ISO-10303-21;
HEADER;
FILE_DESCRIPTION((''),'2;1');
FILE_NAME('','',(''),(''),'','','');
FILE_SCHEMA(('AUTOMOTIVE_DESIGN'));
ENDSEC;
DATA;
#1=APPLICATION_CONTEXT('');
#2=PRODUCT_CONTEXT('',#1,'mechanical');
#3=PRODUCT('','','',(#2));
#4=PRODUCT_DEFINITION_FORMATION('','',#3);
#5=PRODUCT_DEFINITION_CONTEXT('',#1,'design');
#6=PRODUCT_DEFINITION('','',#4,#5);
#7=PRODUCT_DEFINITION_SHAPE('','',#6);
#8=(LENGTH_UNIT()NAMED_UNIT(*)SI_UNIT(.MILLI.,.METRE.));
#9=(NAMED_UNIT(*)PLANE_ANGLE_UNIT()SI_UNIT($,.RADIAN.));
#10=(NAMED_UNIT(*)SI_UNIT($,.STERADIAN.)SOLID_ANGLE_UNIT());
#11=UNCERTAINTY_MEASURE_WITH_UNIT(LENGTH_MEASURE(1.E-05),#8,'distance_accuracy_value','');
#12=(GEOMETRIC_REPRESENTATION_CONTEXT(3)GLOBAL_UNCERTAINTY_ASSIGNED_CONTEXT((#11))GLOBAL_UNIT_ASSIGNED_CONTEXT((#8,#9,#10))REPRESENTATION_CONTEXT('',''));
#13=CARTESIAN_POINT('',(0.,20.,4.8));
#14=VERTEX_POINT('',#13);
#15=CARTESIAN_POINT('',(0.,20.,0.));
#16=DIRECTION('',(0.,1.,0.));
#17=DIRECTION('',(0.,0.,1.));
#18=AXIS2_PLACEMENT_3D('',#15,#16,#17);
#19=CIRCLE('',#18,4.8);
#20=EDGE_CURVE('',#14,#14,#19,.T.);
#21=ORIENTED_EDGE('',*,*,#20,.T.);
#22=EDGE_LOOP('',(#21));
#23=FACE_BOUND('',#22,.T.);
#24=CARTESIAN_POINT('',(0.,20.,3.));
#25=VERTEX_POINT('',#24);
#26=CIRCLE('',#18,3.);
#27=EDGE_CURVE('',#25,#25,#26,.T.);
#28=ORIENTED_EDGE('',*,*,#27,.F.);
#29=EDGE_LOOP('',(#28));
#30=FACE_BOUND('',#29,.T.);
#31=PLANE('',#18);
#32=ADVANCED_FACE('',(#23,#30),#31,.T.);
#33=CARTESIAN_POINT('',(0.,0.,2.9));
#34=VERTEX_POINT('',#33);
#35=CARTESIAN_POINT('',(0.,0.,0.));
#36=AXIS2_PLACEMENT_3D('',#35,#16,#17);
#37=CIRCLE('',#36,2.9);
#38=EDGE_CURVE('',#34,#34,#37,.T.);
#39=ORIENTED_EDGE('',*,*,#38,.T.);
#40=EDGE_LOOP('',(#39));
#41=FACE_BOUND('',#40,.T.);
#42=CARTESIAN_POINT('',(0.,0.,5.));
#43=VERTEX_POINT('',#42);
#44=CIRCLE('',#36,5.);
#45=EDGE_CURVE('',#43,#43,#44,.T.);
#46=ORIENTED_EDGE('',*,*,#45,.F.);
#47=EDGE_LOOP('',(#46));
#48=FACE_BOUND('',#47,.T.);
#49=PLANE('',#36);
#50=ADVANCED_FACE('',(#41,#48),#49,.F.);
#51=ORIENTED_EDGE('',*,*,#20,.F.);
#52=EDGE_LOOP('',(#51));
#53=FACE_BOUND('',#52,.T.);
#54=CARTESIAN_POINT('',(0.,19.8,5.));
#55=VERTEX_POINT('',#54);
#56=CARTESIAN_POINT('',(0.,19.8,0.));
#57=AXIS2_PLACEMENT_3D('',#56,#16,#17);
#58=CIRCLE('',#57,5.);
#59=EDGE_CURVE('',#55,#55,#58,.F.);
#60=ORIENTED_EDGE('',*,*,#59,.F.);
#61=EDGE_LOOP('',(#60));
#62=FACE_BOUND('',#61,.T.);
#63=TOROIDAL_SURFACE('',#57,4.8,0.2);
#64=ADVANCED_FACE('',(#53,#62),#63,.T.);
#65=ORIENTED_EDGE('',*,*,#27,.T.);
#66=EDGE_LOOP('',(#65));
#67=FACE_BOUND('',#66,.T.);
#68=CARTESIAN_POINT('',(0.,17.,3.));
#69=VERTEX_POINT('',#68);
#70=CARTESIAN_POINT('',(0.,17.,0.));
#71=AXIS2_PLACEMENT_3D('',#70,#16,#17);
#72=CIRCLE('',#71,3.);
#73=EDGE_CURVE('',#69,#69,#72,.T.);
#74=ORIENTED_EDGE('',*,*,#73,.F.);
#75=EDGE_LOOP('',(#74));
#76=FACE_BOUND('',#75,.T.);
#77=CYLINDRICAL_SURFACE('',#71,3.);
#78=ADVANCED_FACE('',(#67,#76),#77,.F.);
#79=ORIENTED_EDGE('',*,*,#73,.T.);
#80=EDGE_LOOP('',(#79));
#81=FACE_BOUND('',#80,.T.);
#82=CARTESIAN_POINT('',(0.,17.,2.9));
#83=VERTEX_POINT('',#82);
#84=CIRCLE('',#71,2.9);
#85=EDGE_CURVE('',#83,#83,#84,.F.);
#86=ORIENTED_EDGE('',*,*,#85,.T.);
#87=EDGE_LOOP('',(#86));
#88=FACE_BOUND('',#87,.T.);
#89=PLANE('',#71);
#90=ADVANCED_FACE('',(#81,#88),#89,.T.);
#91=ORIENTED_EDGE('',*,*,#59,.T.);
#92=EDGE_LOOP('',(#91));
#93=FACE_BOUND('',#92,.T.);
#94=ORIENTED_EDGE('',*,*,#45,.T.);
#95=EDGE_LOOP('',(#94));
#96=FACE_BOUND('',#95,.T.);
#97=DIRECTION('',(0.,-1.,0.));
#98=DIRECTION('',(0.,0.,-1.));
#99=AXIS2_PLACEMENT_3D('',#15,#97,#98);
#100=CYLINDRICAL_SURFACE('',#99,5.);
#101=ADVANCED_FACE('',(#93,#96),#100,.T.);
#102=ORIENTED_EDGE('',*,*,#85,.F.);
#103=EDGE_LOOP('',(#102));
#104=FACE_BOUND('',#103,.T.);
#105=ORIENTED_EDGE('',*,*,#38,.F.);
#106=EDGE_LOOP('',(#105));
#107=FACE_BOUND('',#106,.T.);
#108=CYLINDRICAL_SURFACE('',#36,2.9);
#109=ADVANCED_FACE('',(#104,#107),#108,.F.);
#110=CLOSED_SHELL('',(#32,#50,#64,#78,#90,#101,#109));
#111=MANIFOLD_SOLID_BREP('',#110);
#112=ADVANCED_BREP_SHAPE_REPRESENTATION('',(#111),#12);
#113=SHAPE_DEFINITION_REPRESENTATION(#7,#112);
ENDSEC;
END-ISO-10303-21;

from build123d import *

# Parameters (mm, degrees)
SKIZZE1_R                       = 5
AUFSATZ_LINEAR_AUSTRAGEN1_DEPTH = 20
SKIZZE2_R                       = 2.9
SCHNITT_LINEAR_AUSTRAGEN1_DEPTH = 20
SKIZZE3_R                       = 3
SCHNITT_LINEAR_AUSTRAGEN2_DEPTH = 3
VERRUNDUNG1_R                   = 0.2


with BuildPart() as part:
    # Skizze1 → Aufsatz-Linear austragen1 (new body)
    with BuildSketch(Plane(origin=(0, 0, 0), x_dir=(1, 0, 0), z_dir=(0, 1, 0))):
        with Locations(Location((0, 0, 0), (0, 0, 270))):
            Circle(SKIZZE1_R)
    extrude(amount=AUFSATZ_LINEAR_AUSTRAGEN1_DEPTH)

    # Skizze2 → Schnitt-Linear austragen1 (cut)
    with BuildSketch(Plane(origin=(0, 20, 0), x_dir=(1, 0, 0), z_dir=(0, 1, 0))):
        with Locations(Location((0, 0, 0), (0, 0, 270))):
            Circle(SKIZZE2_R)
    extrude(amount=-SCHNITT_LINEAR_AUSTRAGEN1_DEPTH, mode=Mode.SUBTRACT)

    # Skizze3 → Schnitt-Linear austragen2 (cut)
    with BuildSketch(Plane(origin=(0, 20, 0), x_dir=(1, 0, 0), z_dir=(0, 1, 0))):
        with Locations(Location((0, 0, 0), (0, 0, 270))):
            Circle(SKIZZE3_R)
    extrude(amount=-SCHNITT_LINEAR_AUSTRAGEN2_DEPTH, mode=Mode.SUBTRACT)

    # Verrundung1
    verrundung1_edges = [part.edges().sort_by_distance(p)[0] for p in [
        (0, 20, -5),
    ]]
    fillet(verrundung1_edges, radius=VERRUNDUNG1_R)


solid = part.part
